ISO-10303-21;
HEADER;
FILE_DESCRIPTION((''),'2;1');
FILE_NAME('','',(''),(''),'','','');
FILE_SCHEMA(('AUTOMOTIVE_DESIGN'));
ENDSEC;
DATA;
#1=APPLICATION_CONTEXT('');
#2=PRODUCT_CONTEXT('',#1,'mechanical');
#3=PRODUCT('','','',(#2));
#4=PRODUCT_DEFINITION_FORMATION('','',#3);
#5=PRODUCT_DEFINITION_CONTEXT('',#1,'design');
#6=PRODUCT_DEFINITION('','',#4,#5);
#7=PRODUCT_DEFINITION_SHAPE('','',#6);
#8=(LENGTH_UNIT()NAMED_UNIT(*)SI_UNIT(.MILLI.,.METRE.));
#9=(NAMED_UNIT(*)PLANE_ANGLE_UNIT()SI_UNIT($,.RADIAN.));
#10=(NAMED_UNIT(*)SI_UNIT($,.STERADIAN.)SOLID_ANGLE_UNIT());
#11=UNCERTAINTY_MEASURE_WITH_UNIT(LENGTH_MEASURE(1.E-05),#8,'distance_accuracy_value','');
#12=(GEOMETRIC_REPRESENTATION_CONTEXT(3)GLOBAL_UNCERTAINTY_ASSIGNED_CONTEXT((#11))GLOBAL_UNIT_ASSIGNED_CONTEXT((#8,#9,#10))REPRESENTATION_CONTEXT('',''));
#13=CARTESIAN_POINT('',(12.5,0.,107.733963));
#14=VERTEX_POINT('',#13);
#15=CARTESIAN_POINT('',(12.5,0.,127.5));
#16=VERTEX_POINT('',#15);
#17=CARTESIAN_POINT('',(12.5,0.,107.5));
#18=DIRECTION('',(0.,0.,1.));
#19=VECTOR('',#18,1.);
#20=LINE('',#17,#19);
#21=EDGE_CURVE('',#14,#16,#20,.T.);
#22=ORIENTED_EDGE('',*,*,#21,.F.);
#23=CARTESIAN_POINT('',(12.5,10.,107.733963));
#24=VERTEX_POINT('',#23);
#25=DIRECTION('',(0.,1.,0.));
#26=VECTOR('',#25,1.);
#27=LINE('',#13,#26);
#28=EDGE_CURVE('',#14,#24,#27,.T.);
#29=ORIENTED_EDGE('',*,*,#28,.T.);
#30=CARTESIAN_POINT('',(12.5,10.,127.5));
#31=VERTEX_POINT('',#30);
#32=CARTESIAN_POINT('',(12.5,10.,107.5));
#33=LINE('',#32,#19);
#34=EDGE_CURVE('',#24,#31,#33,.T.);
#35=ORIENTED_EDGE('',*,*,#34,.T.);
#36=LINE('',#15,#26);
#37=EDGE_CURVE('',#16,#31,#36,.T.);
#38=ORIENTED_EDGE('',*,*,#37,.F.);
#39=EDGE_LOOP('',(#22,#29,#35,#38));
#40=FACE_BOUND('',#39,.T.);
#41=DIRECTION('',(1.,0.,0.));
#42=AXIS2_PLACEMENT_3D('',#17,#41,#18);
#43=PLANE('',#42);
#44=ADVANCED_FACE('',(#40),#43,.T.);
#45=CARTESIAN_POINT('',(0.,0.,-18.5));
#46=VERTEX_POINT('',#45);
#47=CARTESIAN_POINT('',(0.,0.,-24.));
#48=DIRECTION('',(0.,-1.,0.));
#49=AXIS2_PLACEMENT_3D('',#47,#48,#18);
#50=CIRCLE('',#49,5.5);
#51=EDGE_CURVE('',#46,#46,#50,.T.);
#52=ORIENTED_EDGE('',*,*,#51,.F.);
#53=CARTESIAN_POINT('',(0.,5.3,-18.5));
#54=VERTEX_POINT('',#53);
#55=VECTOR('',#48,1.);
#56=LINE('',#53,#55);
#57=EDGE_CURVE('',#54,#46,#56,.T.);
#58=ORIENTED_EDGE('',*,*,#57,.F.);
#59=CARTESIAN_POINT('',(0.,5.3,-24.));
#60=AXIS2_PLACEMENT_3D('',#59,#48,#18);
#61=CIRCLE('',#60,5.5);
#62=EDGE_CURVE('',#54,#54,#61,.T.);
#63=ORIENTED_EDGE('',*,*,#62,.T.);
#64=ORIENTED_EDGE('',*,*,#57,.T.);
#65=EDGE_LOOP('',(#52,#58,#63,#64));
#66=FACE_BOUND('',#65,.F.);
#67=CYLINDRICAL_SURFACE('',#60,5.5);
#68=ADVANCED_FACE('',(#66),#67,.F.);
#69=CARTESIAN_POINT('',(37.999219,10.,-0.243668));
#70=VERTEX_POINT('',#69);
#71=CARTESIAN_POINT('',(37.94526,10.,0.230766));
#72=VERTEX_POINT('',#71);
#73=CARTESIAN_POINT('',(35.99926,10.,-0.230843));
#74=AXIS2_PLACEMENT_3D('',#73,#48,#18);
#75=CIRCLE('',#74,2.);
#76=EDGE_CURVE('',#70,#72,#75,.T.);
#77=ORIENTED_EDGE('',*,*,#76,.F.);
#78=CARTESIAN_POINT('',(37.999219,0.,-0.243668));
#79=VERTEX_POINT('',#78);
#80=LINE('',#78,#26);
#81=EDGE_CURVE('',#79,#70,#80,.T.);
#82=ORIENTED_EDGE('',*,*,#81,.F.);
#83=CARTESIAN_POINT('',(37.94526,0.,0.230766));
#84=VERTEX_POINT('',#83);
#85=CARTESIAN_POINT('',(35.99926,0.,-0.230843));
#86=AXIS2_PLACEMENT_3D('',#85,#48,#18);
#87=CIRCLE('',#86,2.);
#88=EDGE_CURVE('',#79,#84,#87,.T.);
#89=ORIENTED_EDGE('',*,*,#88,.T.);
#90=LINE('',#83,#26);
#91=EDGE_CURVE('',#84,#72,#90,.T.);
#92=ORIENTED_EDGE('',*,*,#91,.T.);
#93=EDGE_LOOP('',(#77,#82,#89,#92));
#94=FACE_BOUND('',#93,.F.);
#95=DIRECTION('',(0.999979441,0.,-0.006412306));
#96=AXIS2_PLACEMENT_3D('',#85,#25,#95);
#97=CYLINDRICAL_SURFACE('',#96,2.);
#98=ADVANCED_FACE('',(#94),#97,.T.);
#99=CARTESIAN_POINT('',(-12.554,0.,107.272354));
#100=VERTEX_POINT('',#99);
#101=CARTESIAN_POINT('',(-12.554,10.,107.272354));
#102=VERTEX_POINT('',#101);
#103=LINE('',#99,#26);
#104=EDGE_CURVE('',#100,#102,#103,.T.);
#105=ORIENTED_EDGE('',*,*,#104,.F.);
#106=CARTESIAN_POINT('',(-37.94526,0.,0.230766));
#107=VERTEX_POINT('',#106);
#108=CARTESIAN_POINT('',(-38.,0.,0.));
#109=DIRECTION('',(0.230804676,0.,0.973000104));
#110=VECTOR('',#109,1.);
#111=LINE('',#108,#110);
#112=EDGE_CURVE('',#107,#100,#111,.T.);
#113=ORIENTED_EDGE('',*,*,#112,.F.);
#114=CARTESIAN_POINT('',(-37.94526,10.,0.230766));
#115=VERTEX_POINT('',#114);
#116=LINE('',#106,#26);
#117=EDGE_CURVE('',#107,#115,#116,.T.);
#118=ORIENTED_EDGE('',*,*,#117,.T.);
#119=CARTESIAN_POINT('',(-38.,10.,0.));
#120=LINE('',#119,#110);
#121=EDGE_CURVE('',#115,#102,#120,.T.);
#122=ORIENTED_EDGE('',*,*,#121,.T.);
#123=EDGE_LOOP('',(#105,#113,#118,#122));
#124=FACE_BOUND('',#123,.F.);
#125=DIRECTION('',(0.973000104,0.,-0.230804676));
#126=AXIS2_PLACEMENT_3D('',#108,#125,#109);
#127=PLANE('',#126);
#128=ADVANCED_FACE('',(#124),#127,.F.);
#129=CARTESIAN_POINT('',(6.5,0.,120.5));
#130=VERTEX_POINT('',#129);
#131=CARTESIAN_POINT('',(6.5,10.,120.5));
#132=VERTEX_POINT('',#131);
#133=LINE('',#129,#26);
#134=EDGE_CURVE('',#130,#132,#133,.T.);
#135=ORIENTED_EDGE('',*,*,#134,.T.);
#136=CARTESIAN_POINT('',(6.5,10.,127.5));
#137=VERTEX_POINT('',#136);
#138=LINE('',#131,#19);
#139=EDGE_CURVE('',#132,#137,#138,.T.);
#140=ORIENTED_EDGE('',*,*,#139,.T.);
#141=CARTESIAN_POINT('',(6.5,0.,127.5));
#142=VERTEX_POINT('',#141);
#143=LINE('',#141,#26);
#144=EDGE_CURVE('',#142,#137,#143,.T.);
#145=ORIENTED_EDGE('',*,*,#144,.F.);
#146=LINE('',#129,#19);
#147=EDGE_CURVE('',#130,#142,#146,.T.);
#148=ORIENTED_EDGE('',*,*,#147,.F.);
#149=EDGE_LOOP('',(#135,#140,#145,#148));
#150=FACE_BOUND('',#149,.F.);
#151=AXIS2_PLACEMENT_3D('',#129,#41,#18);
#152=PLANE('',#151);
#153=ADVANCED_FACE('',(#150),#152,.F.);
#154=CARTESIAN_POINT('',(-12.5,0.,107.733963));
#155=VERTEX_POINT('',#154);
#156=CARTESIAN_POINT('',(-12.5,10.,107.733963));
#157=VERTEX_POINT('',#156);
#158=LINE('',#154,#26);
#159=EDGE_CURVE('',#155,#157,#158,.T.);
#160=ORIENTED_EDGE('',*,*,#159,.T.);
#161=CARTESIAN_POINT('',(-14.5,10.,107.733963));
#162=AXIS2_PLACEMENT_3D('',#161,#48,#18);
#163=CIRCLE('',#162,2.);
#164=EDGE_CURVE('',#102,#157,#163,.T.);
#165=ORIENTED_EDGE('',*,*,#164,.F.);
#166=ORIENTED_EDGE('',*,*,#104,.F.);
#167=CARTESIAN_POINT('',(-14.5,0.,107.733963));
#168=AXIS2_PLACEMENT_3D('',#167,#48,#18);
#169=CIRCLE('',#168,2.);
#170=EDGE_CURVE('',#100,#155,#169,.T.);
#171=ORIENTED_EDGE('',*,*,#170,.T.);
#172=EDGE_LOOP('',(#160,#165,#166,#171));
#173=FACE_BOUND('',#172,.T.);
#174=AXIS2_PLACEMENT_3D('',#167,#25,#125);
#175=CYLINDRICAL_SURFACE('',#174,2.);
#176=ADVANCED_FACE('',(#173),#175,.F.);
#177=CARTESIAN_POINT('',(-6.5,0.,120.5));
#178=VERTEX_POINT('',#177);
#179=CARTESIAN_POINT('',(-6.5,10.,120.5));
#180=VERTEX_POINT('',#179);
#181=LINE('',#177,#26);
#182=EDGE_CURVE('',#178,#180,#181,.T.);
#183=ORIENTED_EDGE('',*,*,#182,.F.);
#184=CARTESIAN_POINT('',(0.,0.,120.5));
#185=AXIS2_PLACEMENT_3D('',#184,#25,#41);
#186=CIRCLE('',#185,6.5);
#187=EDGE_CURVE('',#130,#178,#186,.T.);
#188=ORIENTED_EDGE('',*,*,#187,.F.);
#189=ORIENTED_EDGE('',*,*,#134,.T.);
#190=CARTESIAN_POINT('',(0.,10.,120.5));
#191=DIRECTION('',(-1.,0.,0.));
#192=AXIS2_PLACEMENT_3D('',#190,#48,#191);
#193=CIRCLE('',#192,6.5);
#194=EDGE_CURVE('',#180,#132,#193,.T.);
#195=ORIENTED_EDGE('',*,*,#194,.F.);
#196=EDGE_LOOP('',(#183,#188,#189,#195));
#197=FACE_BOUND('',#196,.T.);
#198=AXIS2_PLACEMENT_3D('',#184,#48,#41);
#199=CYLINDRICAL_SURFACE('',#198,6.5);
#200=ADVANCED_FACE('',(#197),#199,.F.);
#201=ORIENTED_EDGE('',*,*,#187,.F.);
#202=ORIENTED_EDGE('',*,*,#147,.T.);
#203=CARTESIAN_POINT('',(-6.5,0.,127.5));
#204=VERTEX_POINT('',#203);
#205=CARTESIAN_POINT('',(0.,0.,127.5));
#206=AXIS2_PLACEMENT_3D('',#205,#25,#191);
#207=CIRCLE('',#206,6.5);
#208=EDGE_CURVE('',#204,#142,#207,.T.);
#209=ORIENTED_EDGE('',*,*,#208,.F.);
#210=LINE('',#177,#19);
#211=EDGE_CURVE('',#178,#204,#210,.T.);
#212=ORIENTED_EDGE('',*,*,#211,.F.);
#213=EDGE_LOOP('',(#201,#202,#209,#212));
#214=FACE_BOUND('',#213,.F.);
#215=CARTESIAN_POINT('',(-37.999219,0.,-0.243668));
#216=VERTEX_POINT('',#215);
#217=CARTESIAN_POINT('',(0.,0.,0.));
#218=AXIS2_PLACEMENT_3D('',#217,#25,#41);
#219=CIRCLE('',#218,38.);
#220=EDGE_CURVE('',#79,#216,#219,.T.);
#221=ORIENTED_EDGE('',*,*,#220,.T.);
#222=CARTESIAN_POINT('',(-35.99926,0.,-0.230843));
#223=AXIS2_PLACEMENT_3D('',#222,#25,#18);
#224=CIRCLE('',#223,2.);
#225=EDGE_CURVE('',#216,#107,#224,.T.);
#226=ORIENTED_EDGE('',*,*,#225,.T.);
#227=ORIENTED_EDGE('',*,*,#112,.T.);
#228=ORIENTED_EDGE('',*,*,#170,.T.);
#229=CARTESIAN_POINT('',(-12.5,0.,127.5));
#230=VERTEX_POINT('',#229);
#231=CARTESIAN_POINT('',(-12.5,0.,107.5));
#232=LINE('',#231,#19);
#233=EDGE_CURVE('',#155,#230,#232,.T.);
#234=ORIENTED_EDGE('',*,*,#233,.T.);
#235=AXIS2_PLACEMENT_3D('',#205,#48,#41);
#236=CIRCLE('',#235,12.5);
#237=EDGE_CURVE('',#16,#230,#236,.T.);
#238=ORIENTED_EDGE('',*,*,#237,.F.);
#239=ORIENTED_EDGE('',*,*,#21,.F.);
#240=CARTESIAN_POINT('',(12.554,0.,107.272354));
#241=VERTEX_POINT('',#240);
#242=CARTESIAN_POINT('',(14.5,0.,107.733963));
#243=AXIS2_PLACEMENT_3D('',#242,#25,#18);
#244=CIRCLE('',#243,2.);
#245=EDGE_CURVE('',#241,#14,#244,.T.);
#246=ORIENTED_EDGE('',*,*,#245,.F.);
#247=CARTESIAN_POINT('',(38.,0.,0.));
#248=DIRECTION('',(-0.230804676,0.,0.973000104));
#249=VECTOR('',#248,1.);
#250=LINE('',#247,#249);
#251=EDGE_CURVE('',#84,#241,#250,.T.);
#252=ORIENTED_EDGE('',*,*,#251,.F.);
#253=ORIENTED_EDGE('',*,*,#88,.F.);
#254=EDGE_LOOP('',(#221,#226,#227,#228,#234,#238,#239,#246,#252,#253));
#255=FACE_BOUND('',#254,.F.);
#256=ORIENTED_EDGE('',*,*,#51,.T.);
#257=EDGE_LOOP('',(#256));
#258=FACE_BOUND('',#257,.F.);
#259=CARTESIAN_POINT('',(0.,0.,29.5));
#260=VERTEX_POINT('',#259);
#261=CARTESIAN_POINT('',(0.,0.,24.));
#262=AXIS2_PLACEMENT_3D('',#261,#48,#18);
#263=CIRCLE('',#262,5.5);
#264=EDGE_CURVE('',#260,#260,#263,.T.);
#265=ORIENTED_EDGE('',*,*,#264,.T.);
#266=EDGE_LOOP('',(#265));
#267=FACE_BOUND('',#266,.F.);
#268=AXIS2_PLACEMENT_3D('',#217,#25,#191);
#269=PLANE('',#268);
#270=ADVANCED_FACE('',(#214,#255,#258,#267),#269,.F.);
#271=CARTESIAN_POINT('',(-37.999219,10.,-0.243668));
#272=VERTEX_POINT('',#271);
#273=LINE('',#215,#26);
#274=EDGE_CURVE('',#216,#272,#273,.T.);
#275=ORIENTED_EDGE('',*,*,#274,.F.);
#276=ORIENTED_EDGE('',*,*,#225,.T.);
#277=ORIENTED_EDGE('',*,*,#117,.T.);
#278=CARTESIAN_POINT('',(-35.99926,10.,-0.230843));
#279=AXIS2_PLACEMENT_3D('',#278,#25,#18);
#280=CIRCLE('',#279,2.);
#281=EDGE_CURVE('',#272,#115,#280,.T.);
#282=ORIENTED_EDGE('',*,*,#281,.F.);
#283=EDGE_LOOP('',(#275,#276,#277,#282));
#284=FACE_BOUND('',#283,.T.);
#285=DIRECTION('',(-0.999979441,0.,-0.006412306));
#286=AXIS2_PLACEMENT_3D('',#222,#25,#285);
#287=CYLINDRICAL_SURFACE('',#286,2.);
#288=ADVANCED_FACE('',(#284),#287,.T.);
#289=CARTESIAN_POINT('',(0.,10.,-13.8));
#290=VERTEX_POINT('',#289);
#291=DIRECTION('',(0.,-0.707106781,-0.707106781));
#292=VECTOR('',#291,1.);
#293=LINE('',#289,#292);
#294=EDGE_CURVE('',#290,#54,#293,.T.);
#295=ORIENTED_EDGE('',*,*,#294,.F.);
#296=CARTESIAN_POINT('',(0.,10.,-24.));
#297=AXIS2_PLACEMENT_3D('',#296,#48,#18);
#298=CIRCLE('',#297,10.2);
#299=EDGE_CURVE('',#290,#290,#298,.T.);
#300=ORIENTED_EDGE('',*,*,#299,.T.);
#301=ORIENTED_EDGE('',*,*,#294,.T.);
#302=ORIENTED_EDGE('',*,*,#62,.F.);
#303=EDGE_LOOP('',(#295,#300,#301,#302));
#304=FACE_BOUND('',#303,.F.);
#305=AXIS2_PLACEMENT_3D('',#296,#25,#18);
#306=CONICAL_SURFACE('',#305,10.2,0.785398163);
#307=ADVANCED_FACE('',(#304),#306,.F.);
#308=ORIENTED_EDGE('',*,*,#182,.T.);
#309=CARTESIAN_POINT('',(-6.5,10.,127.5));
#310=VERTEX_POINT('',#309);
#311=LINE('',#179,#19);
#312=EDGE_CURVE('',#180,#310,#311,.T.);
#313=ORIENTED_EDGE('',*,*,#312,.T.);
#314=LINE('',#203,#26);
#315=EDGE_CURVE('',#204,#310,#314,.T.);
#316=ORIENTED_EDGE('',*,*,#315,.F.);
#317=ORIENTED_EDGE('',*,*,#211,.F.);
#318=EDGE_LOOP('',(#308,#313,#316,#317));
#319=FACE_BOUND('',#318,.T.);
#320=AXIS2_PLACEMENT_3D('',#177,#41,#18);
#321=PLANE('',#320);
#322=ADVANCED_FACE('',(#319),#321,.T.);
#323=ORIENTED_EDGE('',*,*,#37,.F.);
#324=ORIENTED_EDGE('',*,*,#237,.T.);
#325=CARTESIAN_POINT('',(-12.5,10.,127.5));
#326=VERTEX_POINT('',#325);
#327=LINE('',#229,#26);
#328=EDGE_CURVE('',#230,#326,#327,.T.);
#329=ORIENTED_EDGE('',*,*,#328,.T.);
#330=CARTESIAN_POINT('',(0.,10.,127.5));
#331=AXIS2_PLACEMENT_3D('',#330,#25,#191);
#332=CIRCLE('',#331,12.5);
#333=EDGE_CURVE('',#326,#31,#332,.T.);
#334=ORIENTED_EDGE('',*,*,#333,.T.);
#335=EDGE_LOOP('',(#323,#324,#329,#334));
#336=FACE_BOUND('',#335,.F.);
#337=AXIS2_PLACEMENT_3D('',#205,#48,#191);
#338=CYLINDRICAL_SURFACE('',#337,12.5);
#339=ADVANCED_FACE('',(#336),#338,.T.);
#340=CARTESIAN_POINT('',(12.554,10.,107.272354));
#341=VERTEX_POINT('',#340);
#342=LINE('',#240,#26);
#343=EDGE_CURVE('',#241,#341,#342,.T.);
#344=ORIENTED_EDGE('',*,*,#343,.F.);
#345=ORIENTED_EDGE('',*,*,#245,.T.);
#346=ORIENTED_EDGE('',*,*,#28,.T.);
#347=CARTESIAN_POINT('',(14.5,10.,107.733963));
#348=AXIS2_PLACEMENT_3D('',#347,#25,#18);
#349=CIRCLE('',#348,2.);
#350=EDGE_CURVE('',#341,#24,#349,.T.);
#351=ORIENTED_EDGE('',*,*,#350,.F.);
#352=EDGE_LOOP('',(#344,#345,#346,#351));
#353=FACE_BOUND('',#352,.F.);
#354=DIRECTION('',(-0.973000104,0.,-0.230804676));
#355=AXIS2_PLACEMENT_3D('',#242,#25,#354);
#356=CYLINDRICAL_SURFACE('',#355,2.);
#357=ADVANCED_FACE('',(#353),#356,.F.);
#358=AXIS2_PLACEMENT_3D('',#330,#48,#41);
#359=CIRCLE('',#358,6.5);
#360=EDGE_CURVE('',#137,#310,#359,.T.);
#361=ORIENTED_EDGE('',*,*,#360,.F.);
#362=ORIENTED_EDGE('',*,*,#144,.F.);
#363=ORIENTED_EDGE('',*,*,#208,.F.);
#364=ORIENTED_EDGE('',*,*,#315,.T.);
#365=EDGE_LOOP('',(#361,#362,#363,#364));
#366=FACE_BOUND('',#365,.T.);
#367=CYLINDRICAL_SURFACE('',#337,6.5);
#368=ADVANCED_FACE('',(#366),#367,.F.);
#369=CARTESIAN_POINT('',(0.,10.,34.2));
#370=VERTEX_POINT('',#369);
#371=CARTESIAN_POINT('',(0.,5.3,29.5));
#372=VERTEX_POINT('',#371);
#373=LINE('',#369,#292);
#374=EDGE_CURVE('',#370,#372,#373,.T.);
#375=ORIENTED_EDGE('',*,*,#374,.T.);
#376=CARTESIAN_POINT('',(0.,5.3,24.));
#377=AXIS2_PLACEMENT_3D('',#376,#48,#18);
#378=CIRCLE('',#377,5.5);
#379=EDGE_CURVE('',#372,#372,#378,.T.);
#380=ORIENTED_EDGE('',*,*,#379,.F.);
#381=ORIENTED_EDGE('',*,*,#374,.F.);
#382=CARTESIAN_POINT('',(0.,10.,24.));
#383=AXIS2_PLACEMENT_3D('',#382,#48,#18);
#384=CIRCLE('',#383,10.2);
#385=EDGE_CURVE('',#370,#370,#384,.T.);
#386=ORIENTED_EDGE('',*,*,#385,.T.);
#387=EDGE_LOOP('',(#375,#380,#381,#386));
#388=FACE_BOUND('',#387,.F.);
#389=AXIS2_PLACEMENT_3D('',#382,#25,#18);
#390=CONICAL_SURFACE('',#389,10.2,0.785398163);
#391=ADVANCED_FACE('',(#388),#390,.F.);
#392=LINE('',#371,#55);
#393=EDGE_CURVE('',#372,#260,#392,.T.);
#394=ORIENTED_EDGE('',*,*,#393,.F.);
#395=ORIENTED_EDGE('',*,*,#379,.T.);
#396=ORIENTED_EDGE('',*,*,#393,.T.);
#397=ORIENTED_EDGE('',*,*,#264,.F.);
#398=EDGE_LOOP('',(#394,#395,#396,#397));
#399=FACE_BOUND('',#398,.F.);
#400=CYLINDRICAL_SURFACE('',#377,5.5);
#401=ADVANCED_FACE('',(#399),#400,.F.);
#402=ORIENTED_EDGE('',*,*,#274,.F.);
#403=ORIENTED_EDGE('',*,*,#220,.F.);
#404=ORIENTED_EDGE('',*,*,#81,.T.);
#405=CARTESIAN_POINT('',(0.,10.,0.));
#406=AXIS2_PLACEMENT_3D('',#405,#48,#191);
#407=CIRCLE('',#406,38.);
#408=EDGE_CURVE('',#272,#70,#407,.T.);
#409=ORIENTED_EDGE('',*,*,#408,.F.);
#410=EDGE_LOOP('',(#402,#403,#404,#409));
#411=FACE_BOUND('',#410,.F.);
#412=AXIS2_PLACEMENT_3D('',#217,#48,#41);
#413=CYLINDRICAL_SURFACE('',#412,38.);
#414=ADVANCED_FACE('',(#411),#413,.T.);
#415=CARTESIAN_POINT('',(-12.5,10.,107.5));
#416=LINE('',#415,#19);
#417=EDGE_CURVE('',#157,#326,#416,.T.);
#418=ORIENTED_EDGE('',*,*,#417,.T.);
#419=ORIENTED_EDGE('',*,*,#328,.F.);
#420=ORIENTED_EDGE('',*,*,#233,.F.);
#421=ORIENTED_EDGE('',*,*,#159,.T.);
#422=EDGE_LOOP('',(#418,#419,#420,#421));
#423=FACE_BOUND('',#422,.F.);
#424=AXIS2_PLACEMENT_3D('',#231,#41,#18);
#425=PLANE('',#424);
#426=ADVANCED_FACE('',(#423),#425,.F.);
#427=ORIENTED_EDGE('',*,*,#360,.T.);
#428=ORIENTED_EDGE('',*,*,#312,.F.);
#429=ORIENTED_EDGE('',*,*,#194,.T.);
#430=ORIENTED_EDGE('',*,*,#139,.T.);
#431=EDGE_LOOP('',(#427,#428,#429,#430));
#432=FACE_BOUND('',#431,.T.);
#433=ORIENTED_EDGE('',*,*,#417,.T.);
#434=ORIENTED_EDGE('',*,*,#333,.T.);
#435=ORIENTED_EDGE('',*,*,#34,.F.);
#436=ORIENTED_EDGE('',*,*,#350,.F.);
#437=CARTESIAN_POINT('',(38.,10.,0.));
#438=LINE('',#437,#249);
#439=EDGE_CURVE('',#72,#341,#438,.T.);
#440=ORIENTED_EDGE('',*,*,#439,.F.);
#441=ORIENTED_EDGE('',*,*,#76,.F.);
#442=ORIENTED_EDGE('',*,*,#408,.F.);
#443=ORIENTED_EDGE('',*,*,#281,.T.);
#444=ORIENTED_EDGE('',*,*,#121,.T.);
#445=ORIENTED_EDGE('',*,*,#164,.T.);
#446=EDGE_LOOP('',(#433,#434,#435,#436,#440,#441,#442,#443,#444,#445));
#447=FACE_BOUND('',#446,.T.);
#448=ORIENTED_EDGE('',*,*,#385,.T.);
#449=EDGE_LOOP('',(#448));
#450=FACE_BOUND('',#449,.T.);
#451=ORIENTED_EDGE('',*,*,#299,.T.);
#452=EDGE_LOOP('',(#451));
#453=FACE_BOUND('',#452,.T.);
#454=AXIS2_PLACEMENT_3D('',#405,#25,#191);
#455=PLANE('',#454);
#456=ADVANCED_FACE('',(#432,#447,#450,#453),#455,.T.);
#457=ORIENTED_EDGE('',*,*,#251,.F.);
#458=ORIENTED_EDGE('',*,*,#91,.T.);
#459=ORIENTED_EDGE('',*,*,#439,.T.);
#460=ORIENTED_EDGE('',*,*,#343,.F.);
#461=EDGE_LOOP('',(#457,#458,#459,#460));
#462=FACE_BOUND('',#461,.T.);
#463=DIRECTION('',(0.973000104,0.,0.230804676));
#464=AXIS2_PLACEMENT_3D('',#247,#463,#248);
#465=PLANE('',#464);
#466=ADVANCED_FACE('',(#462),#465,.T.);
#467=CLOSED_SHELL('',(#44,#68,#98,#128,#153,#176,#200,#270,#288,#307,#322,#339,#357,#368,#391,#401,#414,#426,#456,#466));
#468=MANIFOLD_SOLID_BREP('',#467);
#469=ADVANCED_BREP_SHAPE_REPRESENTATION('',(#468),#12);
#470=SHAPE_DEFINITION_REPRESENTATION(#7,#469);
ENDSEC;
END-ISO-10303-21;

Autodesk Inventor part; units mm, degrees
ref_plane "YZ Plane" through (0, 0, 0) normal (1, 0, 0) x (0, 1, 0)
ref_plane "XZ Plane" through (0, 0, 0) normal (0, 1, 0) x (-1, 0, 0)
ref_plane "XY Plane" through (0, 0, 0) normal (0, 0, 1) x (1, 0, 0)
sketch "Эскиз1" plane through (0, 0, 0) normal (0, 1, 0) x (-1, 0, 0)
  arc A0 (-38, 0) -> (38, 0) centre (0, 0) ccw
  line L0 (53.2, 0) -> (-53.2, 0) projected
  line L1 (38, 0) -> (12.5, 107.5)
  line L2 (-38, 0) -> (-12.5, 107.5)
  line L3 (-12.5, 107.5) -> (-12.5, 127.5)
  line L4 (12.5, 107.5) -> (12.5, 127.5)
  arc A1 (12.5, 127.5) -> (-12.5, 127.5) centre (0, 127.5) ccw
  line L5 (0, -73.6) -> (0, 175.6) projected
  line L6 (6.5, 120.5) -> (6.5, 127.5)
  line L7 (-6.5, 120.5) -> (-6.5, 127.5)
  arc A2 (-6.5, 120.5) -> (6.5, 120.5) centre (0, 120.5) ccw
  arc A3 (6.5, 127.5) -> (-6.5, 127.5) centre (0, 127.5) ccw
  dimension "d1" = 76
  dimension "d2" = 25
  dimension "d3" = 20
  dimension "d4" = 127.5
  dimension "d5" = 7
  dimension "d6" = 13
extrude "Выдавливание1" add sketch "Эскиз1" along normal blind 10 contours L0 L5 A0 | L2 L3 A1 L5 A3 L7 A2 L0 | L5 L0 A0 | L5 A2 L6 A3 A1 L4 L1 L0
sketch "Эскиз2" plane through (0, 10, 0) normal (0, 1, 0) x (1, 0, 0)
  point P0 (0, 0)
  point P1 (0, 24)
  point P2 (0, -24)
  dimension "d9" = 24
  dimension "d10" = 48
hole "Отверстие1" at (0, 10, -24) at (0, 10, 24) direction (0, -1, 0) diameter 11 end through all countersink diameter 20.4 countersink angle 90 clearance for "с потайной головкой ГОСТ 12876-67" size "M10" standard "ГОСТ"
fillet "Сопряжение1" radius 2 4 edges at (12.5, 5, 107.5) (38, 5, 0) (-12.5, 5, 107.5) (-38, 5, 0)
properties part number "Рычаг"
